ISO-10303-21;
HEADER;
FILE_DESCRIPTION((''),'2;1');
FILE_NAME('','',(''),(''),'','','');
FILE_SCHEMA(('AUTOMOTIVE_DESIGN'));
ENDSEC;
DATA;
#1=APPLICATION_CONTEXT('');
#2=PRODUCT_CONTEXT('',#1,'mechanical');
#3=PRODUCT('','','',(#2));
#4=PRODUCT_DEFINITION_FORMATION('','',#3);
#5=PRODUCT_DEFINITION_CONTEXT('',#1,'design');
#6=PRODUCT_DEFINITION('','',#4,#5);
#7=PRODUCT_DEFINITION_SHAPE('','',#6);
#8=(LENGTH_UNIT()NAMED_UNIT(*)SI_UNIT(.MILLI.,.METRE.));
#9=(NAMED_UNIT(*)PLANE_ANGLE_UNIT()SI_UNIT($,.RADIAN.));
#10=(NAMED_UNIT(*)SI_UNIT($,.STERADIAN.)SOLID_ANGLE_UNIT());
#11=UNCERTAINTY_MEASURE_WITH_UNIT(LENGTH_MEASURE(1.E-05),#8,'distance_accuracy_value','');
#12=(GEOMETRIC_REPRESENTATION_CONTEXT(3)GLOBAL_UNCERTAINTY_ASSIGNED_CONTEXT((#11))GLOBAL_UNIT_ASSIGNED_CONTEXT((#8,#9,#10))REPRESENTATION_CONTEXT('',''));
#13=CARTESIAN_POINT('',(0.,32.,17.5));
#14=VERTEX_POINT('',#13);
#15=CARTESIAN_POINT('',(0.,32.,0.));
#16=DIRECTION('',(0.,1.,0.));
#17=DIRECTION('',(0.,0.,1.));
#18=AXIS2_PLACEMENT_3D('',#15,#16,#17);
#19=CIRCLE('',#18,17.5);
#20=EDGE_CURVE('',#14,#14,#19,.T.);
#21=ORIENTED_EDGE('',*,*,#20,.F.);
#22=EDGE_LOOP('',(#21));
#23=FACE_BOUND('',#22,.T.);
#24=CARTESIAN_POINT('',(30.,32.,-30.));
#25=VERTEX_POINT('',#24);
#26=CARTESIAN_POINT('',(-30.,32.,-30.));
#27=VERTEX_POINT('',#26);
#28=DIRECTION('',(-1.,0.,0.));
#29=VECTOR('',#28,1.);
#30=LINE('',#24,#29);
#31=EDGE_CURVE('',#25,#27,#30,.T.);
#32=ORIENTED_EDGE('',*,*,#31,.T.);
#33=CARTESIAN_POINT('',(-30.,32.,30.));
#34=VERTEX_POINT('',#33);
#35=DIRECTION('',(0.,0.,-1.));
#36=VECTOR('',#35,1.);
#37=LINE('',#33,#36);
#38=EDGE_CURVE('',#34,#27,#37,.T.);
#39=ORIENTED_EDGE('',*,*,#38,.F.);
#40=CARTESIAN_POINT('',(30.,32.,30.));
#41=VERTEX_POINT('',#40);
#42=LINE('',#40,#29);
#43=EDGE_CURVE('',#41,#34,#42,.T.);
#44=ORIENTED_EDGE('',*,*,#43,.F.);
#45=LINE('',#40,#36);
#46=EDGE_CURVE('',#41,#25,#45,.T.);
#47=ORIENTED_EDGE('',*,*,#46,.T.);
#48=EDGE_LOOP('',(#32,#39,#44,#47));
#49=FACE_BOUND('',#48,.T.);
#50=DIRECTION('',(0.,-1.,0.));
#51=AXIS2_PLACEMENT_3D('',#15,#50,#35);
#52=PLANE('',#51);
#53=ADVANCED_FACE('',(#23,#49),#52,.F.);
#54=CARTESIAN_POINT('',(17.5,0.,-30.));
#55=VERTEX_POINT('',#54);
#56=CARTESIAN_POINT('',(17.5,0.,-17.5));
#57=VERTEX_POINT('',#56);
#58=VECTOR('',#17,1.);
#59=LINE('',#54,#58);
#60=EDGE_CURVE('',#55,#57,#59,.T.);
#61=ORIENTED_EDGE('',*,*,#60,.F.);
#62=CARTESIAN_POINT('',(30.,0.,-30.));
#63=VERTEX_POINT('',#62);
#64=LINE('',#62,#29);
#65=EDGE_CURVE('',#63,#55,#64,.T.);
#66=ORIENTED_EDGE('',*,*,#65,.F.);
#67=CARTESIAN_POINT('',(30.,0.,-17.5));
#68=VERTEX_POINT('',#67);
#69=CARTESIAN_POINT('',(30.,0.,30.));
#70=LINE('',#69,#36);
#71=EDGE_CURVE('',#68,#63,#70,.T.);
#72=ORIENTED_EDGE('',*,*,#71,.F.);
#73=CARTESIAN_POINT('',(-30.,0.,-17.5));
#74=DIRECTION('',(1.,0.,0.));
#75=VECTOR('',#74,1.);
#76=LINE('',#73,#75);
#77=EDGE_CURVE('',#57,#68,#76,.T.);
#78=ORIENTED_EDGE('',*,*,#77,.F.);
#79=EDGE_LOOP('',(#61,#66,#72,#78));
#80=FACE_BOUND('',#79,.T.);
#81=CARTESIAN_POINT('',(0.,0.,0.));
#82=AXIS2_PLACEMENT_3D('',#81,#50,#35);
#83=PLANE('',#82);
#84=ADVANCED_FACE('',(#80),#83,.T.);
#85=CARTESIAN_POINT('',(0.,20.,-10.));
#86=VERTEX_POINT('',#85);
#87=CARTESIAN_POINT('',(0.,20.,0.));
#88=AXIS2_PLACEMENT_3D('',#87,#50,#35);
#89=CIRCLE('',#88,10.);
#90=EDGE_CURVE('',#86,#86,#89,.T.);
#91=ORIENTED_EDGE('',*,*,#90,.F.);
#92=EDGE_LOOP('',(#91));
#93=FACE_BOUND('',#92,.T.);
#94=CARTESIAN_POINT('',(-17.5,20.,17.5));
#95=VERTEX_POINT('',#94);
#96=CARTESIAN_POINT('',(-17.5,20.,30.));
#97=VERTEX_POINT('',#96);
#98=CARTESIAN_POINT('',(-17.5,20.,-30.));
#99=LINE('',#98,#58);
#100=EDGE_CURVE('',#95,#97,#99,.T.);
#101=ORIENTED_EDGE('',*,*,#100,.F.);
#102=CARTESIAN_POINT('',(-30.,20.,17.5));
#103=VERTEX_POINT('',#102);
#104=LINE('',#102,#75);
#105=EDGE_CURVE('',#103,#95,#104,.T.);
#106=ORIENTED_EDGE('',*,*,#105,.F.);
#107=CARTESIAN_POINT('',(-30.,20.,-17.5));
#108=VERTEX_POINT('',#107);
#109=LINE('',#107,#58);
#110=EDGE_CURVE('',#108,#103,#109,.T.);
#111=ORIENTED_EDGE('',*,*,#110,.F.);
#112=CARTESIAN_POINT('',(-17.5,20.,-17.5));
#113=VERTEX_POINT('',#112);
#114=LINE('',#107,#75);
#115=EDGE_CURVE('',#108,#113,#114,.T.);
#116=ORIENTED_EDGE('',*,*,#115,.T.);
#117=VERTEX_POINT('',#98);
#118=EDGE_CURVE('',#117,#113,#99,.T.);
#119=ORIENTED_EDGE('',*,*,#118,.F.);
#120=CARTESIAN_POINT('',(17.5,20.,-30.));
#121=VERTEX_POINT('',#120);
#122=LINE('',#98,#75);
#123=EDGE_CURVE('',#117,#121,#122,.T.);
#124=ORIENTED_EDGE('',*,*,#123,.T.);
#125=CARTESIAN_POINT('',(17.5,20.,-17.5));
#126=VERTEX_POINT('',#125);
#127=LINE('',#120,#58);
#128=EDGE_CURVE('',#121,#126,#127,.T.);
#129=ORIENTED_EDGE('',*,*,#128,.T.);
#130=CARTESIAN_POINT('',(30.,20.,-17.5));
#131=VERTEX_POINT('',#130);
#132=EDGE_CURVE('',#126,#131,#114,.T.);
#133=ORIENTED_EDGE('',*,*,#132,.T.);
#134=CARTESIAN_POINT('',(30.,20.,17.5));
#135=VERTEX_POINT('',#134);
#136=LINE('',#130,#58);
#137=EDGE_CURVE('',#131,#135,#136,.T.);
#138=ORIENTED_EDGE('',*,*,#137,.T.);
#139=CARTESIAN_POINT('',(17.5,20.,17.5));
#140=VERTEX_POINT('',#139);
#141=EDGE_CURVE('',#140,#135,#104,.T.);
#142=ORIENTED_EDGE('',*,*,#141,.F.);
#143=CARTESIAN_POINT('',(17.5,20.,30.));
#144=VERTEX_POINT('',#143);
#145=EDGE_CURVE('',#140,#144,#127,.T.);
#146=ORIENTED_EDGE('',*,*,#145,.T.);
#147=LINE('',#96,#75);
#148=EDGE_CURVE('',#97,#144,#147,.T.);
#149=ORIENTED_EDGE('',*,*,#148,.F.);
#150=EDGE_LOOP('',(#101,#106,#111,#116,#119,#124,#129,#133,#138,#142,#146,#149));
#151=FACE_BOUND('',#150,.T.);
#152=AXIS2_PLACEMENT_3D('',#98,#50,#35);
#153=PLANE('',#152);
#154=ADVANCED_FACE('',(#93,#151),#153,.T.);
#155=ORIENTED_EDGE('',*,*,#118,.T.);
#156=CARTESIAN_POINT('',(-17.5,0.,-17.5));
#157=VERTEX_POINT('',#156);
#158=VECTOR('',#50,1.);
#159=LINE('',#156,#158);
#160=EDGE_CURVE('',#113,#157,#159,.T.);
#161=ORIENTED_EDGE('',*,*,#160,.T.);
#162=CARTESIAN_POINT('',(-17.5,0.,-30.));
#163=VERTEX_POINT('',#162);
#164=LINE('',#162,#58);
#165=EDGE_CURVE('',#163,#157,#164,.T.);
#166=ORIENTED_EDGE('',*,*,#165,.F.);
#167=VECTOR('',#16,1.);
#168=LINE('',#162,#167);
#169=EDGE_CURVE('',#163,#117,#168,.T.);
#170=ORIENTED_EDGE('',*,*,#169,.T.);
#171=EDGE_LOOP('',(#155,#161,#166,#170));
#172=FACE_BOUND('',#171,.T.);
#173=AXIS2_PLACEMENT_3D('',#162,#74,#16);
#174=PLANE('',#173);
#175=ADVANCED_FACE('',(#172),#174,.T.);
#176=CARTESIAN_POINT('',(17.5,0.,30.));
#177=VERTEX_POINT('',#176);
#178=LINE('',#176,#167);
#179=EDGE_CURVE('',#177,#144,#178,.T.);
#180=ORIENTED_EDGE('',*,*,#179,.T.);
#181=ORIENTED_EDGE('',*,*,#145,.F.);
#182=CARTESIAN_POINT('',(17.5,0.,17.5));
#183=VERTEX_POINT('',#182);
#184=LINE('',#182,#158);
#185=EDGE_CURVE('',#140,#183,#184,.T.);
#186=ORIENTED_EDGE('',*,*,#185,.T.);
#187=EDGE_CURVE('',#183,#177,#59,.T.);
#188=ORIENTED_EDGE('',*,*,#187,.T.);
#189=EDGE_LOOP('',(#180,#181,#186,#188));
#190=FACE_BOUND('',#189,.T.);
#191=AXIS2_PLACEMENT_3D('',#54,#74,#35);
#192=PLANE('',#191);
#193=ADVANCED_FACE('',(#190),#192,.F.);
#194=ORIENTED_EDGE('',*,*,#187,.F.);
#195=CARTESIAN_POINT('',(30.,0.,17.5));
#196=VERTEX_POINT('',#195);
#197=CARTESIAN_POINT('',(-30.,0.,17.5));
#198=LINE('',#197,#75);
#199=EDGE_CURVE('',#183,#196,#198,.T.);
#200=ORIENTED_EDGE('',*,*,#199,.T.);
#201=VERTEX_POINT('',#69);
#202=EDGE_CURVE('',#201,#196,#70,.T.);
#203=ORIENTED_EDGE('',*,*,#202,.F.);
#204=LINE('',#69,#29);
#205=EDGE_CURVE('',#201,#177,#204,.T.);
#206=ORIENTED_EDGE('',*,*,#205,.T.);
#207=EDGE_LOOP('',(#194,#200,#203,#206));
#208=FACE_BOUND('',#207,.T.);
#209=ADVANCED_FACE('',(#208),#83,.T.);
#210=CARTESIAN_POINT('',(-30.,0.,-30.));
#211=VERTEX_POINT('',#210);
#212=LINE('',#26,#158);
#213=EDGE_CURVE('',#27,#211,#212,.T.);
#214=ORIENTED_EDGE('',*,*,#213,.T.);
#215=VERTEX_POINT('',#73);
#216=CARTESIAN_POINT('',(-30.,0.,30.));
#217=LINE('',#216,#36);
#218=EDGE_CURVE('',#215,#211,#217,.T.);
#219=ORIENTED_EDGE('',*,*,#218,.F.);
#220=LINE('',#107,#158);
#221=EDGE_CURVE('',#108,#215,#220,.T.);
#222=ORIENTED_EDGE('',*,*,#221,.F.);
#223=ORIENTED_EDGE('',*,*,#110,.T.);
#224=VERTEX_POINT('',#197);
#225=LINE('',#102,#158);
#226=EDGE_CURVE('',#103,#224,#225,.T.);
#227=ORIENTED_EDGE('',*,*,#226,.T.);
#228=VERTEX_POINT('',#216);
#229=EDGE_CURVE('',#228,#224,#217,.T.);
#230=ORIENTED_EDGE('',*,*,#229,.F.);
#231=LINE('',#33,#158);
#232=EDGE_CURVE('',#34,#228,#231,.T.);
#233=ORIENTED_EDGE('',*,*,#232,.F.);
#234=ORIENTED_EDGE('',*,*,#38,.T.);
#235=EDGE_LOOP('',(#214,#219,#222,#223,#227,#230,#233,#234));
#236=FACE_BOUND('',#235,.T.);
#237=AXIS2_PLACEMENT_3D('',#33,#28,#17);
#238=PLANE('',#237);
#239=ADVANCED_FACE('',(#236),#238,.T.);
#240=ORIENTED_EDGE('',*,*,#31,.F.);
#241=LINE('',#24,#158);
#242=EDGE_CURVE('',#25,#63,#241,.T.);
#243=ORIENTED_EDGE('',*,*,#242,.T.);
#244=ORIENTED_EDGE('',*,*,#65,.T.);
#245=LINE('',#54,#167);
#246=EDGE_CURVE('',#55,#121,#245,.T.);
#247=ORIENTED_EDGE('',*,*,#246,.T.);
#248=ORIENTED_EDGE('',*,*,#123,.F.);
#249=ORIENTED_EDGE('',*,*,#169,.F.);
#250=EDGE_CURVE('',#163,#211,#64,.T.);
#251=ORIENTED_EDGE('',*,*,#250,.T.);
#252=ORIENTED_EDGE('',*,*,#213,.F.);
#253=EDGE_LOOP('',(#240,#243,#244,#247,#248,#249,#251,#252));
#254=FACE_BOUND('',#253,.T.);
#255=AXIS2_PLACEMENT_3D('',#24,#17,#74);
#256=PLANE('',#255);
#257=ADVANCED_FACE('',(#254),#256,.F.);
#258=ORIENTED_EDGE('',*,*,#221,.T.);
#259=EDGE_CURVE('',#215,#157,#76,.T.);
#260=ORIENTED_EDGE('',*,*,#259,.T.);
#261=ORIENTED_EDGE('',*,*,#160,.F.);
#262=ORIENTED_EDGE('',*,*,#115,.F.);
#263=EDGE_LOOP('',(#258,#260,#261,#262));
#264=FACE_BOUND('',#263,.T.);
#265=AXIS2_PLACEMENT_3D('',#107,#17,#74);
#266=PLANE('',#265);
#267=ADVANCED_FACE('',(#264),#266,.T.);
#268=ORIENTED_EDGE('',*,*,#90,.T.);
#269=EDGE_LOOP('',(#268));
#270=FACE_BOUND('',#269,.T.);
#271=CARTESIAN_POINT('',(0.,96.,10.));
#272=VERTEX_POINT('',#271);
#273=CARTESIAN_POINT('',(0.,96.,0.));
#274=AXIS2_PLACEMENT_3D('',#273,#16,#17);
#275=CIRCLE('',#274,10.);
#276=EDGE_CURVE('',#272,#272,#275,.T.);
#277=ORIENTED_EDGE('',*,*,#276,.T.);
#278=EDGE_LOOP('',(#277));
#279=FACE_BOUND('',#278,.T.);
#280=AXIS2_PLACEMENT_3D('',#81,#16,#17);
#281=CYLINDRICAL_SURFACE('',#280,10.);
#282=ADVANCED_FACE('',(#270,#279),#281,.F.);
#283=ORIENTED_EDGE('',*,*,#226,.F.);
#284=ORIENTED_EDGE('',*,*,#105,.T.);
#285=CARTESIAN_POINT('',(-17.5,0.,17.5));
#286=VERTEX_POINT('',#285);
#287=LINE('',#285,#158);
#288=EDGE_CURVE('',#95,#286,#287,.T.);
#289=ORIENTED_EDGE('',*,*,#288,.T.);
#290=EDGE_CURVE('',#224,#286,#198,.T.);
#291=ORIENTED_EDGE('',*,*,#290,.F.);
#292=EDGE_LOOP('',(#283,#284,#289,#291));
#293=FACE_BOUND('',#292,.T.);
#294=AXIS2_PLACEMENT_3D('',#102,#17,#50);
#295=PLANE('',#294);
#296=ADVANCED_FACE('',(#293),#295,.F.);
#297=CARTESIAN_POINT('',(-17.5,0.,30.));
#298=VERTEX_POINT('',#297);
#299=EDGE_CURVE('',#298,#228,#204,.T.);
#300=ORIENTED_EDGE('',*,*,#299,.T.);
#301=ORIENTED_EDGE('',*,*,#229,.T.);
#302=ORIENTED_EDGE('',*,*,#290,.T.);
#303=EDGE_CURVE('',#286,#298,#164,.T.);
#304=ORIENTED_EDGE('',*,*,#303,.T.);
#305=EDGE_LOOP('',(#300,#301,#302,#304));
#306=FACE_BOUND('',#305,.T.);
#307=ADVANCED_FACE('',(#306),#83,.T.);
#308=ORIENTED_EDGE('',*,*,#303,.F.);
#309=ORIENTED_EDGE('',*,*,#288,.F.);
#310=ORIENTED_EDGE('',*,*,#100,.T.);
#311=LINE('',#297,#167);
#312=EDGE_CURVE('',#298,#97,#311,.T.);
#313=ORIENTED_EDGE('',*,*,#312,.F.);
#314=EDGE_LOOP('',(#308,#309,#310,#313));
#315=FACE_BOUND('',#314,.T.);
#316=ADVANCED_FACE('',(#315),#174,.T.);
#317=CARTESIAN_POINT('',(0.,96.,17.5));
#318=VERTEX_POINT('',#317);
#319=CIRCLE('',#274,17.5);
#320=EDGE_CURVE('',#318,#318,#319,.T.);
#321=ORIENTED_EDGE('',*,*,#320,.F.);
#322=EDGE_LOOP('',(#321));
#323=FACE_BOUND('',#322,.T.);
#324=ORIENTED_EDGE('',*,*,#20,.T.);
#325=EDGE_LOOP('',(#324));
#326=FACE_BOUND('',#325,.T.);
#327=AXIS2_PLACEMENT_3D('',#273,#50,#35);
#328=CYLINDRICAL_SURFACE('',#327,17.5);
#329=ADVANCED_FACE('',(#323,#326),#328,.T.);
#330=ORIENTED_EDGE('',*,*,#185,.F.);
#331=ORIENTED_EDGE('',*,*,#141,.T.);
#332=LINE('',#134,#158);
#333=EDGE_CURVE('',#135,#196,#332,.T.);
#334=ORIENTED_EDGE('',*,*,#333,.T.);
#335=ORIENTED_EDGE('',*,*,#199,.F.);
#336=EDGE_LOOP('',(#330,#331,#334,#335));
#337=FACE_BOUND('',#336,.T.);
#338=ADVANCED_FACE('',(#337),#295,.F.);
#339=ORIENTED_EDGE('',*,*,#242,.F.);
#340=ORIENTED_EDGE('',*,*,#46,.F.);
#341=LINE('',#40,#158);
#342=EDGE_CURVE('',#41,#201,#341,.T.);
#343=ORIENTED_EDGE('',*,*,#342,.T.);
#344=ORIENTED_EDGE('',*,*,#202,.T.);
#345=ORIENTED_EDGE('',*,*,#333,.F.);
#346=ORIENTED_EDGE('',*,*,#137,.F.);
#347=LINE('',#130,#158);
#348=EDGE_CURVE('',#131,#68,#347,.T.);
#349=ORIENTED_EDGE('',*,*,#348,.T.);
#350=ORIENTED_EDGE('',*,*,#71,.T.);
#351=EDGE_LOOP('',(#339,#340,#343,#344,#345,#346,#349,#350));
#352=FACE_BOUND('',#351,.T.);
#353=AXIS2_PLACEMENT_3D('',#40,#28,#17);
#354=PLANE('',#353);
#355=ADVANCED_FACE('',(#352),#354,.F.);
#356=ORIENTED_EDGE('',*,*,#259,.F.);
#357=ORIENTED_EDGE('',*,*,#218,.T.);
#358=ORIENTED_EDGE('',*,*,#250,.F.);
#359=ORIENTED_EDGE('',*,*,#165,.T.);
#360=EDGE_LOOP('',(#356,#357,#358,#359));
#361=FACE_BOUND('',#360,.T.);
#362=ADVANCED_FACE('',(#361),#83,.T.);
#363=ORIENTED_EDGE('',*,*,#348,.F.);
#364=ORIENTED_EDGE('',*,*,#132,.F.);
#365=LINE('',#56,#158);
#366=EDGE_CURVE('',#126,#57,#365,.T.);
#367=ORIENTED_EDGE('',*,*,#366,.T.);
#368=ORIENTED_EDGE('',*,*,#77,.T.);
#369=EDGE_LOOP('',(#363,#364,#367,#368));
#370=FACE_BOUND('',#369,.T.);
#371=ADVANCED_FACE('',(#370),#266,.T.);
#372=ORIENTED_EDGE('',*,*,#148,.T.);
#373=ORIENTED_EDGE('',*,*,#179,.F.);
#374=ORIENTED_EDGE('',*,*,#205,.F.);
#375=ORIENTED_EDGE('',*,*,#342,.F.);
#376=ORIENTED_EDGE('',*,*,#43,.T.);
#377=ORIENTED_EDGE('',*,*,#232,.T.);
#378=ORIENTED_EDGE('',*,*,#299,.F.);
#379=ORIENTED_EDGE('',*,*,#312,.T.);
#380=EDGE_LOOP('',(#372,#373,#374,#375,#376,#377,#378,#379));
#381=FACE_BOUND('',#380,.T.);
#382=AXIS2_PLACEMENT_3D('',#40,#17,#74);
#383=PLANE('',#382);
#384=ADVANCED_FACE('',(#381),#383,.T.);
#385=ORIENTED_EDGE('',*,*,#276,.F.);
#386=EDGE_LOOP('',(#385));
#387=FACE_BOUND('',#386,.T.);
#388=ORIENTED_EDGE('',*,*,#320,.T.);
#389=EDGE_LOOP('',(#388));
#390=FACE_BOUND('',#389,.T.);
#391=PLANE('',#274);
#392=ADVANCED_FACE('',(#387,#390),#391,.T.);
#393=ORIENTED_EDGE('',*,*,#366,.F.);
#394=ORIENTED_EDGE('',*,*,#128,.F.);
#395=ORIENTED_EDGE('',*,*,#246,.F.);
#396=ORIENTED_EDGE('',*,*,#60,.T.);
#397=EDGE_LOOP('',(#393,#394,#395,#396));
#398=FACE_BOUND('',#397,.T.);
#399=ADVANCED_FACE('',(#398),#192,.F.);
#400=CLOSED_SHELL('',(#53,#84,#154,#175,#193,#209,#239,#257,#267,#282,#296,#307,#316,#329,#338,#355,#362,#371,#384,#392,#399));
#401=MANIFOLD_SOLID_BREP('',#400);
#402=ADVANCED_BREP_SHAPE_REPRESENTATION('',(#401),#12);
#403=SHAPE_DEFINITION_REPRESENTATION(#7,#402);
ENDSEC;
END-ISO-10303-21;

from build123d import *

# Parameters (mm, degrees)
SKETCH2_W               = 60
SKETCH2_H               = 60
BOSS_EXTRUDE2_DEPTH     = 32
SKETCH3_W               = 35
SKETCH3_H               = 20
CUT_EXTRUDE1_DEPTH      = 60
SKETCH4_W               = 35
SKETCH4_H               = 20
CUT_EXTRUDE2_DEPTH      = 61
SKETCH5_R               = 17.5
BOSS_EXTRUDE3_DEPTH     = 64
SKETCH6_R               = 10
CUT_EXTRUDE3_DEPTH      = 1
CUT_EXTRUDE3_DEPTH_BACK = 97


with BuildPart() as part:
    # Sketch2 → Boss-Extrude2 (new body)
    with BuildSketch(Plane(origin=(0, 0, 0), x_dir=(1, 0, 0), z_dir=(0, 1, 0))):
        Rectangle(SKETCH2_W, SKETCH2_H)
    extrude(amount=BOSS_EXTRUDE2_DEPTH)

    # Sketch3 → Cut-Extrude1 (cut)
    with BuildSketch(Plane.XY.offset(30)):
        with Locations((0, 10)):
            Rectangle(SKETCH3_W, SKETCH3_H)
    extrude(amount=-CUT_EXTRUDE1_DEPTH, mode=Mode.SUBTRACT)

    # Sketch4 → Cut-Extrude2 (cut, through all)
    with BuildSketch(Plane(origin=(30, 0, 0), x_dir=(0, 0, -1), z_dir=(1, 0, 0))):
        with Locations((0, 10)):
            Rectangle(SKETCH4_W, SKETCH4_H)
    extrude(amount=-CUT_EXTRUDE2_DEPTH, mode=Mode.SUBTRACT)

    # Sketch5 → Boss-Extrude3 (add)
    with BuildSketch(Plane(origin=(0, 32, 0), x_dir=(1, 0, 0), z_dir=(0, 1, 0))):
        Circle(SKETCH5_R)
    extrude(amount=BOSS_EXTRUDE3_DEPTH)

    # Sketch6 → Cut-Extrude3 (cut, two sides)
    with BuildSketch(Plane(origin=(0, 96, 0), x_dir=(1, 0, 0), z_dir=(0, 1, 0))) as cut_extrude3_sk:
        Circle(SKETCH6_R)
    extrude(amount=CUT_EXTRUDE3_DEPTH, mode=Mode.SUBTRACT)
    extrude(cut_extrude3_sk.sketch, amount=-CUT_EXTRUDE3_DEPTH_BACK, mode=Mode.SUBTRACT)


solid = part.part
